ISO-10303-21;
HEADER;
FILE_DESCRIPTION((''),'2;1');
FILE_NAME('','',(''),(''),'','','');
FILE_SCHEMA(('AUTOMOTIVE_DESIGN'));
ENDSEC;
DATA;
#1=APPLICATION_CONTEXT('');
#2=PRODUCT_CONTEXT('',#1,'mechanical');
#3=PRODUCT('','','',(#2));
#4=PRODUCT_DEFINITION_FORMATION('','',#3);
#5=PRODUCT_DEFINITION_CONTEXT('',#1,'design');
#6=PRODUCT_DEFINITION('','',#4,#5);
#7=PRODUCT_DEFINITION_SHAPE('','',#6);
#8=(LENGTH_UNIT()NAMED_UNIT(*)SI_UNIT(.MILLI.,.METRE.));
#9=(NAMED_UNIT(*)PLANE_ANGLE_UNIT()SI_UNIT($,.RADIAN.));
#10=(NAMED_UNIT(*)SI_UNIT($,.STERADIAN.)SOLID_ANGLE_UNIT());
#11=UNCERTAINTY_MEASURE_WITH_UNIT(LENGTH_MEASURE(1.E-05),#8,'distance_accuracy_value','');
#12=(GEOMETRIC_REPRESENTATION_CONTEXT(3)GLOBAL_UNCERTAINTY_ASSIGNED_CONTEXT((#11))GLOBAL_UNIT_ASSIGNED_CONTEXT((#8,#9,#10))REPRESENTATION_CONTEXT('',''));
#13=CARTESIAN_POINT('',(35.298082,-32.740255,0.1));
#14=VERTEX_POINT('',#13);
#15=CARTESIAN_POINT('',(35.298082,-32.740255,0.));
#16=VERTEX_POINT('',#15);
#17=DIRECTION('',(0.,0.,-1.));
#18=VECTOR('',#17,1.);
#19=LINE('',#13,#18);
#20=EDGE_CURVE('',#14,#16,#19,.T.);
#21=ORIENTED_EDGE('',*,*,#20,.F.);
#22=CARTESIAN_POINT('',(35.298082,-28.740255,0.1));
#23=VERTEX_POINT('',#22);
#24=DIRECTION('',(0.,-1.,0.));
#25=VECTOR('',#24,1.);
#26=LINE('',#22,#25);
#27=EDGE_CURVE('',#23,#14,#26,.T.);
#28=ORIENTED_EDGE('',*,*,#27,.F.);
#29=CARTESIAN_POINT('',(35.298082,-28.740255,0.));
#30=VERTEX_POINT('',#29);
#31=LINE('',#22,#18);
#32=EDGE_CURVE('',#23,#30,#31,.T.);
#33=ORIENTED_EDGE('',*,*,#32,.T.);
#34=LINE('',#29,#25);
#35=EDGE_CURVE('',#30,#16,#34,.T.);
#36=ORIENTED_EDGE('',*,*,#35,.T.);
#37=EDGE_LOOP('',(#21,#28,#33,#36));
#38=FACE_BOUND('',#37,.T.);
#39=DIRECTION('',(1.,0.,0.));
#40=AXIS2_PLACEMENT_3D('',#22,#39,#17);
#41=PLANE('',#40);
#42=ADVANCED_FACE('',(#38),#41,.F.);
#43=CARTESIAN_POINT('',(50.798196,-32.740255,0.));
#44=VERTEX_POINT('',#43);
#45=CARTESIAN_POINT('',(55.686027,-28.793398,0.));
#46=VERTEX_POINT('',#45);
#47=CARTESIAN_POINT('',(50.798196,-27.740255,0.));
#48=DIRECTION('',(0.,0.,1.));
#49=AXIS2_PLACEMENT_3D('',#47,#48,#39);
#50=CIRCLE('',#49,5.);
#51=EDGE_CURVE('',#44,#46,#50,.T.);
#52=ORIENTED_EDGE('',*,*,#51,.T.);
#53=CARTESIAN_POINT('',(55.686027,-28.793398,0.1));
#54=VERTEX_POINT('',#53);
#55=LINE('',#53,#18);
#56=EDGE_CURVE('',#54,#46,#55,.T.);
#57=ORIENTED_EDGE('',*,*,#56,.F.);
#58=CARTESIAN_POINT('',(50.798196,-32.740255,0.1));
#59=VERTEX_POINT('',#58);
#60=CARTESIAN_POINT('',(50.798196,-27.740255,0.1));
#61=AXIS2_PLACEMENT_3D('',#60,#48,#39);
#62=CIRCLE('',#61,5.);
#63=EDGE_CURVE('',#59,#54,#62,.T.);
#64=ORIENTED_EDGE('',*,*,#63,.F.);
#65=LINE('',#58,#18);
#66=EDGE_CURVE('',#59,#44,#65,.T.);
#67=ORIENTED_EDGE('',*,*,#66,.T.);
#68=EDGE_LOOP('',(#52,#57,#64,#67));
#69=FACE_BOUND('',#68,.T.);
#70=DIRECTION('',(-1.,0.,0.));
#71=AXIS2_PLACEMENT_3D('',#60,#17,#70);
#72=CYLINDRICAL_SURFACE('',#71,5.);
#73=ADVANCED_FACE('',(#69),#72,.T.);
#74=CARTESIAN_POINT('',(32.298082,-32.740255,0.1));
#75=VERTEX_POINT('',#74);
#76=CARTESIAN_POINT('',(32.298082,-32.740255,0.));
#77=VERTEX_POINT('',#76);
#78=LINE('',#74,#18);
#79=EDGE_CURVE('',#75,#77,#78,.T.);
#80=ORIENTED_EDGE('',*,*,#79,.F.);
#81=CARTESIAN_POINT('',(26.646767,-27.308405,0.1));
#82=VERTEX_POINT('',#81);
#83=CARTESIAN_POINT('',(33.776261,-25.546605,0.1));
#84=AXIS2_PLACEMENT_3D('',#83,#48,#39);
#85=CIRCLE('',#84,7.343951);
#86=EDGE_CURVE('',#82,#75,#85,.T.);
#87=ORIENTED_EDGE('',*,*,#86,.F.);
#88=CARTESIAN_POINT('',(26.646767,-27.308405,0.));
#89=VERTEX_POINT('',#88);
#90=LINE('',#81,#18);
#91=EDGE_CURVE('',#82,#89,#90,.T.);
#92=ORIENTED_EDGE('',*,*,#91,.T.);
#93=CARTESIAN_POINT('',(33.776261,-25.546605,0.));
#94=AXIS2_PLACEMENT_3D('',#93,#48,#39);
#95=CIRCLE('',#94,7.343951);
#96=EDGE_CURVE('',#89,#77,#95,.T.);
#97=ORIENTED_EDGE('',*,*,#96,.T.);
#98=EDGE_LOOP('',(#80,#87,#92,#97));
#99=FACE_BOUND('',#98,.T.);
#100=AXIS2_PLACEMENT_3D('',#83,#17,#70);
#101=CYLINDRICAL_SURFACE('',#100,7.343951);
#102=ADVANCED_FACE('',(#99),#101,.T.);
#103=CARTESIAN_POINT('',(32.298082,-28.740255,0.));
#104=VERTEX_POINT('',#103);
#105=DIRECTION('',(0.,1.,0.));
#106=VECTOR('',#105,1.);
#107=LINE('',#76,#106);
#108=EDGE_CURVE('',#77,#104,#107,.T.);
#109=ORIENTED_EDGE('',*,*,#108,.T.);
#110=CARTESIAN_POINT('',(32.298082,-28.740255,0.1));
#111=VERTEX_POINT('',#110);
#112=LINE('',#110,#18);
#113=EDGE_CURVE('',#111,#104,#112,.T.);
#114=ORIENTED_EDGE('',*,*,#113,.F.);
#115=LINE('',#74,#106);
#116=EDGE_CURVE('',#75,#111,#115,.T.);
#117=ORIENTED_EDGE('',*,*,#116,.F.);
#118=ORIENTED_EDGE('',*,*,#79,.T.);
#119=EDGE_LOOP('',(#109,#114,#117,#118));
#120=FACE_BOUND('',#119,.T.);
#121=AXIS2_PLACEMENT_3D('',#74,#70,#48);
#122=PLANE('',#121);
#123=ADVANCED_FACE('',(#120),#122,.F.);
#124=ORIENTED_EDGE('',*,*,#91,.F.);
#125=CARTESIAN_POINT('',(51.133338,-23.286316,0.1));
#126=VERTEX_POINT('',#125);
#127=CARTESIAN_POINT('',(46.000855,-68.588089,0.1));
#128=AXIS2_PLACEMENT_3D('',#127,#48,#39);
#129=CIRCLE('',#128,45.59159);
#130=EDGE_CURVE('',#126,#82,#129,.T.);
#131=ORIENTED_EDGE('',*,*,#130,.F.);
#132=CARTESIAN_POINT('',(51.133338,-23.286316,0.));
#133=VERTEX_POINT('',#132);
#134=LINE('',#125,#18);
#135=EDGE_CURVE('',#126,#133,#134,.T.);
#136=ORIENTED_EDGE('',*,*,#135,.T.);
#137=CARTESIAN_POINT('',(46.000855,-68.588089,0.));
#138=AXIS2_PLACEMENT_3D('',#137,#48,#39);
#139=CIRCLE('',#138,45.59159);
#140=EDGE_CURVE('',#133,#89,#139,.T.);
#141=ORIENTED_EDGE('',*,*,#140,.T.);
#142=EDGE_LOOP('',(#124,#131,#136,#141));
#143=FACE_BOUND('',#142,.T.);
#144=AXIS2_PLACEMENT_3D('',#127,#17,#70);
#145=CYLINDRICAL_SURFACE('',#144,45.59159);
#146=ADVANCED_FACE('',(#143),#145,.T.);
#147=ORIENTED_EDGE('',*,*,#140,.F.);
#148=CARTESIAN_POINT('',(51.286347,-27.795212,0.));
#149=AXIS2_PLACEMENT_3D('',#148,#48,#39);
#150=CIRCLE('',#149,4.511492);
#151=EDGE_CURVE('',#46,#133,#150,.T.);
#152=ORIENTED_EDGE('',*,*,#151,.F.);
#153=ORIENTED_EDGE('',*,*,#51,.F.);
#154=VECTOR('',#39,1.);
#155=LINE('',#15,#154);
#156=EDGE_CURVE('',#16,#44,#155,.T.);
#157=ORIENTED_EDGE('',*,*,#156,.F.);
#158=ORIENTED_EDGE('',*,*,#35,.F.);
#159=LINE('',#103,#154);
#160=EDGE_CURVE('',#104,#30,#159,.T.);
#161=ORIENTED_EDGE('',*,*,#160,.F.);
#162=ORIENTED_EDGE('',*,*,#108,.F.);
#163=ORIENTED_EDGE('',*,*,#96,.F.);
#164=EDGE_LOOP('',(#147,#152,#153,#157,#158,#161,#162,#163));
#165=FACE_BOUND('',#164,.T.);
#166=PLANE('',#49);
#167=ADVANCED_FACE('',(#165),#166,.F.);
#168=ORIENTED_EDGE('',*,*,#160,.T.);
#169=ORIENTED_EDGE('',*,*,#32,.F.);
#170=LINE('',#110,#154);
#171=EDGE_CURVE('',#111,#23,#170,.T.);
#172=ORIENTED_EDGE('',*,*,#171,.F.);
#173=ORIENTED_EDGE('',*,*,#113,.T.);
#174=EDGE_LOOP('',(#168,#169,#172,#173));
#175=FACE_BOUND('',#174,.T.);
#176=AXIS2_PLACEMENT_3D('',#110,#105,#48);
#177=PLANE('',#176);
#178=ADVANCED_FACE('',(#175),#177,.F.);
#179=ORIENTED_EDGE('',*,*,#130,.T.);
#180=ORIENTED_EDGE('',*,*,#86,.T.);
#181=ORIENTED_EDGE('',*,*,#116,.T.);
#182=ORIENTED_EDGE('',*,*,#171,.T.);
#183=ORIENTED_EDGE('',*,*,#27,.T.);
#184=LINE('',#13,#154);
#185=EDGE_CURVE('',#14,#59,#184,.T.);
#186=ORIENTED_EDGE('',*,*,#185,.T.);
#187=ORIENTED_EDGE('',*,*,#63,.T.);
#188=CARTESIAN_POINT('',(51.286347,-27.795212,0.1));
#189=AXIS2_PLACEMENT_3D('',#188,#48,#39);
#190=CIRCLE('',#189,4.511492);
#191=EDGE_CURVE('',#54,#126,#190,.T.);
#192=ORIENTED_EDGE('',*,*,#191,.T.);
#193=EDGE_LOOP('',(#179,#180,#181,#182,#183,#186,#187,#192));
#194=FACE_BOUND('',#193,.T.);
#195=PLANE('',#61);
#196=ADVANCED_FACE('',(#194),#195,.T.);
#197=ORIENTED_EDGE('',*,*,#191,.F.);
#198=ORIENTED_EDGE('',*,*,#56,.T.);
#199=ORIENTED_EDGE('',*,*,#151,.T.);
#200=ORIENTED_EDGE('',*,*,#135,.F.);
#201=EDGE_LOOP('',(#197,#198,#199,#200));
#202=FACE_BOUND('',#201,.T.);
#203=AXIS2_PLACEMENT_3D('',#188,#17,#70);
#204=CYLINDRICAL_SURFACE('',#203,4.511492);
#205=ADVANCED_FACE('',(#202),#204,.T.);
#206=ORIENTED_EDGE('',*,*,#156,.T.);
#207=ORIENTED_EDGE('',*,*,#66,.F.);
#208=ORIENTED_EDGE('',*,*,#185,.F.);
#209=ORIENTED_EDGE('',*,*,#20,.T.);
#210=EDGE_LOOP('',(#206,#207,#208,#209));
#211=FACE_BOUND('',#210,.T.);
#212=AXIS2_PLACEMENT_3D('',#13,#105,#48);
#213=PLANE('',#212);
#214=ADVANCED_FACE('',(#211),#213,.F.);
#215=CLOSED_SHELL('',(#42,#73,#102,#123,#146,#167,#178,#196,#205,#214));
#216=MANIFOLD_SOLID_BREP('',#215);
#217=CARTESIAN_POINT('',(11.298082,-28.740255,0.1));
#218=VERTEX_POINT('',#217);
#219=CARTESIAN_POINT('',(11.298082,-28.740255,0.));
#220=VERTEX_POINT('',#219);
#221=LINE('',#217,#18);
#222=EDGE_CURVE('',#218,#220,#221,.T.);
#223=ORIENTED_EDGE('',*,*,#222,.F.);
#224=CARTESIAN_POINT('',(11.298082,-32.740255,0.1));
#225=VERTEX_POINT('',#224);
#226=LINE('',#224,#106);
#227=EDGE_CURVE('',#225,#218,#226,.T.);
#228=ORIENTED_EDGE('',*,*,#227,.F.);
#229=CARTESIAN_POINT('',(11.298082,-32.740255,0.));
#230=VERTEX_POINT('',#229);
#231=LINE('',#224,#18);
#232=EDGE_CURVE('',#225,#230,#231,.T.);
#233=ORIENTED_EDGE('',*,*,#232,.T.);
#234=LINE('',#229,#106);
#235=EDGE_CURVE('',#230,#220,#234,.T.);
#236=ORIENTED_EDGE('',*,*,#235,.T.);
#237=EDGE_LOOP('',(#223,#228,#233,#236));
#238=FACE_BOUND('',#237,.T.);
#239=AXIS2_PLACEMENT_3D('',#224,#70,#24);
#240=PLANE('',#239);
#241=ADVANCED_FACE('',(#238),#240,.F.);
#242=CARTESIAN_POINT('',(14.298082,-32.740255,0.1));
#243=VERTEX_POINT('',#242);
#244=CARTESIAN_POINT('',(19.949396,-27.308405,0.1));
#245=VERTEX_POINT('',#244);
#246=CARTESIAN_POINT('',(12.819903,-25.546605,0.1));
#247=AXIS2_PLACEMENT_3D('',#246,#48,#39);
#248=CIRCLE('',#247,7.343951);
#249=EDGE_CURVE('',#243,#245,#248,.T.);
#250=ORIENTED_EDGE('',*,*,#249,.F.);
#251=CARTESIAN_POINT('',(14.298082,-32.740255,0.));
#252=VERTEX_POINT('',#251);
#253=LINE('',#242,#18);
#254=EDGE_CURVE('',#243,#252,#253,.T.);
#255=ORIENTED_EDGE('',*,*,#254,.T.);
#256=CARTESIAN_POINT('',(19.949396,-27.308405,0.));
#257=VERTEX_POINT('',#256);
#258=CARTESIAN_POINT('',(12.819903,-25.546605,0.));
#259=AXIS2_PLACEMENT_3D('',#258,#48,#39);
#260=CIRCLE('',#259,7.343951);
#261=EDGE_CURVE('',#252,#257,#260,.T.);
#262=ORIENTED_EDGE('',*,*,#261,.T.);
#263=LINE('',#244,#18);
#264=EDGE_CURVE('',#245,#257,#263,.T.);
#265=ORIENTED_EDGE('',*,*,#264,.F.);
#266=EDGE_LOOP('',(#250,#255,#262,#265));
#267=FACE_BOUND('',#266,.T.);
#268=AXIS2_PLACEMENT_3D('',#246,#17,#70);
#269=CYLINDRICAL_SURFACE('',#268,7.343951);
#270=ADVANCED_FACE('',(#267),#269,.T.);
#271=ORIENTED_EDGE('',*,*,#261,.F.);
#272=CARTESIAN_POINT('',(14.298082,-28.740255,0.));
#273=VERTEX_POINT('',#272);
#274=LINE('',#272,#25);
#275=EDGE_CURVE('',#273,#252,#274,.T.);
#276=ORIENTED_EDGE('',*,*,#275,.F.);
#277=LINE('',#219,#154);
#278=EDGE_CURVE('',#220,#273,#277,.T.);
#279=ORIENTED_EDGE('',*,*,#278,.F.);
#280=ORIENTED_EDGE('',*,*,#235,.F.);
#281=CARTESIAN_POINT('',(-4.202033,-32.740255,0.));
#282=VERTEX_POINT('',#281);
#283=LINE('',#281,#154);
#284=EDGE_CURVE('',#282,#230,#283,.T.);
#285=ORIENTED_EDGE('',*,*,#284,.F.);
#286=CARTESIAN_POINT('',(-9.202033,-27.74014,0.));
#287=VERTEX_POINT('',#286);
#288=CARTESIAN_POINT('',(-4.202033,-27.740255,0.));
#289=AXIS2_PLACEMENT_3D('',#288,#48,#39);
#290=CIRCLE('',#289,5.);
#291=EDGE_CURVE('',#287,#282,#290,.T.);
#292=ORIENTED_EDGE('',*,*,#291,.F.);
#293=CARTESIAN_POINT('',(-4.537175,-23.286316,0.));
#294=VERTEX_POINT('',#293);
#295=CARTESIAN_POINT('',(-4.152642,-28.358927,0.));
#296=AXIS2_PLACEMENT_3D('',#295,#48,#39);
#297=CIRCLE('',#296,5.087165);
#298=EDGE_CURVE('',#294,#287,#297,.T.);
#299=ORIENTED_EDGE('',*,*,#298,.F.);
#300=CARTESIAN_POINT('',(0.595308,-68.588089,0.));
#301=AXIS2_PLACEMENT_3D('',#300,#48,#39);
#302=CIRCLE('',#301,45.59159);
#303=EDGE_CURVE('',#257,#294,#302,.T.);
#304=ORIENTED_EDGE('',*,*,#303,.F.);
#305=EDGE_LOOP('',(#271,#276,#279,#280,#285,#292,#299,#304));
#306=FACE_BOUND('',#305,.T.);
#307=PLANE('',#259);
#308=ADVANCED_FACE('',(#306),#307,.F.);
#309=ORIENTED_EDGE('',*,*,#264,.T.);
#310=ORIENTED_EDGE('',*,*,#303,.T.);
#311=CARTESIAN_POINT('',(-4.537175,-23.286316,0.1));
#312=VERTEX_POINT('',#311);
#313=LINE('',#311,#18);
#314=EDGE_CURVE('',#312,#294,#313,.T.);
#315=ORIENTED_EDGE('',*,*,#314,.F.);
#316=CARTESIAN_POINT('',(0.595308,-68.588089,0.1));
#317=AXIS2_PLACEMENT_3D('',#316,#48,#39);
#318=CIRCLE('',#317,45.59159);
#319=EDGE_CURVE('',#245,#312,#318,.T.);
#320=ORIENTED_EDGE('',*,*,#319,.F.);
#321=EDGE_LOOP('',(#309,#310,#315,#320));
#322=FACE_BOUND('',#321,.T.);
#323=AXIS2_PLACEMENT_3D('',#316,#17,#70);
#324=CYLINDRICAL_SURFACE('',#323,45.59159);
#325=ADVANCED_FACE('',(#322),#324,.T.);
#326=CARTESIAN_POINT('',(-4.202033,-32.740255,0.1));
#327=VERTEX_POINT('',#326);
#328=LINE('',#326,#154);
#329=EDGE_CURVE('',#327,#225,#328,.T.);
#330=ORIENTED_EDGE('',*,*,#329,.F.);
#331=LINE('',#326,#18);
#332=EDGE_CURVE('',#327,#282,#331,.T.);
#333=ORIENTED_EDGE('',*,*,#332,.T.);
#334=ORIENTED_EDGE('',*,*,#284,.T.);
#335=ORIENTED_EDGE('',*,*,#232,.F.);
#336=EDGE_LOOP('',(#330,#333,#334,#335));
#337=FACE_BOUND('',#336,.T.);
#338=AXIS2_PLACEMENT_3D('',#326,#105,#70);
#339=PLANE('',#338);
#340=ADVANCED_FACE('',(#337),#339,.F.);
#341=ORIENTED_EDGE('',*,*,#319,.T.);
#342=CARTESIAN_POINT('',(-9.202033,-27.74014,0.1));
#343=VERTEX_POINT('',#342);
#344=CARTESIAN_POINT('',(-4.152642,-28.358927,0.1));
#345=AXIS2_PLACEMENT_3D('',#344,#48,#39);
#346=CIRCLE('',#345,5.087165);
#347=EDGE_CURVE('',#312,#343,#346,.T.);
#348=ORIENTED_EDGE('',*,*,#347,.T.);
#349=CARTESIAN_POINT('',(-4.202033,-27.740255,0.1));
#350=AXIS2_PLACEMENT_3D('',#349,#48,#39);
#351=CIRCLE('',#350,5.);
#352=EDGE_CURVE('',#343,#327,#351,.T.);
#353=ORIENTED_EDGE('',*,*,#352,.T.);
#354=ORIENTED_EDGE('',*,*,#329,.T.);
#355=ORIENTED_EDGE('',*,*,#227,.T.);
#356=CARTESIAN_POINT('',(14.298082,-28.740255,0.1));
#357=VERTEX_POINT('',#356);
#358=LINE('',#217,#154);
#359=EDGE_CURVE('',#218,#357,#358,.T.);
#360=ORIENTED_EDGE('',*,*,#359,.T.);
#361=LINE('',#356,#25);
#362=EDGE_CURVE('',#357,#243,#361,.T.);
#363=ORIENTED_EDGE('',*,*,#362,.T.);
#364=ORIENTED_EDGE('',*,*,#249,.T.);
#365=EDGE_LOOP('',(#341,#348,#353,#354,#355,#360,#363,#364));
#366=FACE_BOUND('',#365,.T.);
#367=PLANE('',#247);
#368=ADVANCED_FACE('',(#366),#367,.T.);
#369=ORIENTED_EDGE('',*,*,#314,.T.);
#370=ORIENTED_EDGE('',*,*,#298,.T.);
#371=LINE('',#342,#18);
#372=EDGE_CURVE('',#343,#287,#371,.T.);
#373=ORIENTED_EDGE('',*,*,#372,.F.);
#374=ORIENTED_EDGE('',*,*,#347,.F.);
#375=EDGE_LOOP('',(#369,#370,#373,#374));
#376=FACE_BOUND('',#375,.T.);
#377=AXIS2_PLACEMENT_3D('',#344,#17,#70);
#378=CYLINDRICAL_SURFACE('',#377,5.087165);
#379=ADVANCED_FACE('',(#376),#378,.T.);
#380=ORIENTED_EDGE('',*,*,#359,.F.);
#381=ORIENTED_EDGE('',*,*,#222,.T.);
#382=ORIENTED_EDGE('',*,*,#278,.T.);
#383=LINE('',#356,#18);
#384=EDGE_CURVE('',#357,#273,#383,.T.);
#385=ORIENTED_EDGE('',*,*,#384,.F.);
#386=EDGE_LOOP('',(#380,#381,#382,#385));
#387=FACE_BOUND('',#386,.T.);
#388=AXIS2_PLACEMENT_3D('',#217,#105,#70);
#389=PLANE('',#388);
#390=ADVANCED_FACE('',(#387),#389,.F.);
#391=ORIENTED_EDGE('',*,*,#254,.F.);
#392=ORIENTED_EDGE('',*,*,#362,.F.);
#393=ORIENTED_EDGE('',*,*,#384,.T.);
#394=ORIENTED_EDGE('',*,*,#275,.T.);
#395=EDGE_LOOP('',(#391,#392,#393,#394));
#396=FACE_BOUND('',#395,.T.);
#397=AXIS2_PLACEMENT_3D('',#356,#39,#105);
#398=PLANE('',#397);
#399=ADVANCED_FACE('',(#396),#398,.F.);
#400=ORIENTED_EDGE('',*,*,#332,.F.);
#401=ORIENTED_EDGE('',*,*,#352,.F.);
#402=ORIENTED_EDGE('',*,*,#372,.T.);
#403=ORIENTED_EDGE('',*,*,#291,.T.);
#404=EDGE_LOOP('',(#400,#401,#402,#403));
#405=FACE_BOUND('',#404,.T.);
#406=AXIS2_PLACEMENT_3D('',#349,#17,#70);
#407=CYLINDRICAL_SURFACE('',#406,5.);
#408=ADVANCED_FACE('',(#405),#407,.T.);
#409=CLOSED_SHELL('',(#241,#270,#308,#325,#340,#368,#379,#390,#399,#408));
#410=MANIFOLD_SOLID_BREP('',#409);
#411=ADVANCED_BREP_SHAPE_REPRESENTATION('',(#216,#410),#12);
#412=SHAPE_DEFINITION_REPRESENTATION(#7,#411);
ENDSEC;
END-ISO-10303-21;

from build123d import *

# Parameters (mm, degrees)
SALIENTE_EXTRUIR1_DEPTH   = 0.1
SALIENTE_EXTRUIR1_2_DEPTH = 0.1


with BuildPart() as part:
    # Model → Saliente-Extruir1 (new body)
    with BuildSketch(Plane.XY):
        with BuildLine():
            Line((14.298081521, -28.740255232), (14.298081521, -32.740255232))
            ThreePointArc((14.298081521, -32.740255232), (17.909033692, -30.841353282), (19.949395844, -27.308404586))
            ThreePointArc((19.949395844, -27.308404586), (7.985017637, -23.599365404), (-4.537175356, -23.286315593))
            ThreePointArc((-4.537175356, -23.286315593), (-7.665621003, -24.679493884), (-9.20203301, -27.740140231))
            ThreePointArc((-9.20203301, -27.740140231), (-7.737607575, -31.275748479), (-4.202033011, -32.740255232))
            Line((-4.202033011, -32.740255232), (11.298081521, -32.740255232))
            Line((11.298081521, -32.740255232), (11.298081521, -28.740255232))
            Line((11.298081521, -28.740255232), (14.298081521, -28.740255232))
        make_face()
    extrude(amount=SALIENTE_EXTRUIR1_DEPTH)


with BuildPart() as body_2:
    # Model → Saliente-Extruir1 2 (new body)
    with BuildSketch(Plane.XY):
        with BuildLine():
            Line((35.298081521, -32.740255232), (50.798196053, -32.740255232))
            ThreePointArc((50.798196053, -32.740255232), (53.939396867, -31.630352589), (55.686026846, -28.79339821))
            ThreePointArc((55.686026846, -28.79339821), (54.763493082, -24.920665912), (51.133338397, -23.286315593))
            ThreePointArc((51.133338397, -23.286315593), (38.611145405, -23.599365404), (26.646767198, -27.308404586))
            ThreePointArc((26.646767198, -27.308404586), (28.68712935, -30.841353282), (32.298081521, -32.740255232))
            Line((32.298081521, -32.740255232), (32.298081521, -28.740255232))
            Line((32.298081521, -28.740255232), (35.298081521, -28.740255232))
            Line((35.298081521, -28.740255232), (35.298081521, -32.740255232))
        make_face()
    extrude(amount=SALIENTE_EXTRUIR1_2_DEPTH)


solid = Compound([part.part, body_2.part])
